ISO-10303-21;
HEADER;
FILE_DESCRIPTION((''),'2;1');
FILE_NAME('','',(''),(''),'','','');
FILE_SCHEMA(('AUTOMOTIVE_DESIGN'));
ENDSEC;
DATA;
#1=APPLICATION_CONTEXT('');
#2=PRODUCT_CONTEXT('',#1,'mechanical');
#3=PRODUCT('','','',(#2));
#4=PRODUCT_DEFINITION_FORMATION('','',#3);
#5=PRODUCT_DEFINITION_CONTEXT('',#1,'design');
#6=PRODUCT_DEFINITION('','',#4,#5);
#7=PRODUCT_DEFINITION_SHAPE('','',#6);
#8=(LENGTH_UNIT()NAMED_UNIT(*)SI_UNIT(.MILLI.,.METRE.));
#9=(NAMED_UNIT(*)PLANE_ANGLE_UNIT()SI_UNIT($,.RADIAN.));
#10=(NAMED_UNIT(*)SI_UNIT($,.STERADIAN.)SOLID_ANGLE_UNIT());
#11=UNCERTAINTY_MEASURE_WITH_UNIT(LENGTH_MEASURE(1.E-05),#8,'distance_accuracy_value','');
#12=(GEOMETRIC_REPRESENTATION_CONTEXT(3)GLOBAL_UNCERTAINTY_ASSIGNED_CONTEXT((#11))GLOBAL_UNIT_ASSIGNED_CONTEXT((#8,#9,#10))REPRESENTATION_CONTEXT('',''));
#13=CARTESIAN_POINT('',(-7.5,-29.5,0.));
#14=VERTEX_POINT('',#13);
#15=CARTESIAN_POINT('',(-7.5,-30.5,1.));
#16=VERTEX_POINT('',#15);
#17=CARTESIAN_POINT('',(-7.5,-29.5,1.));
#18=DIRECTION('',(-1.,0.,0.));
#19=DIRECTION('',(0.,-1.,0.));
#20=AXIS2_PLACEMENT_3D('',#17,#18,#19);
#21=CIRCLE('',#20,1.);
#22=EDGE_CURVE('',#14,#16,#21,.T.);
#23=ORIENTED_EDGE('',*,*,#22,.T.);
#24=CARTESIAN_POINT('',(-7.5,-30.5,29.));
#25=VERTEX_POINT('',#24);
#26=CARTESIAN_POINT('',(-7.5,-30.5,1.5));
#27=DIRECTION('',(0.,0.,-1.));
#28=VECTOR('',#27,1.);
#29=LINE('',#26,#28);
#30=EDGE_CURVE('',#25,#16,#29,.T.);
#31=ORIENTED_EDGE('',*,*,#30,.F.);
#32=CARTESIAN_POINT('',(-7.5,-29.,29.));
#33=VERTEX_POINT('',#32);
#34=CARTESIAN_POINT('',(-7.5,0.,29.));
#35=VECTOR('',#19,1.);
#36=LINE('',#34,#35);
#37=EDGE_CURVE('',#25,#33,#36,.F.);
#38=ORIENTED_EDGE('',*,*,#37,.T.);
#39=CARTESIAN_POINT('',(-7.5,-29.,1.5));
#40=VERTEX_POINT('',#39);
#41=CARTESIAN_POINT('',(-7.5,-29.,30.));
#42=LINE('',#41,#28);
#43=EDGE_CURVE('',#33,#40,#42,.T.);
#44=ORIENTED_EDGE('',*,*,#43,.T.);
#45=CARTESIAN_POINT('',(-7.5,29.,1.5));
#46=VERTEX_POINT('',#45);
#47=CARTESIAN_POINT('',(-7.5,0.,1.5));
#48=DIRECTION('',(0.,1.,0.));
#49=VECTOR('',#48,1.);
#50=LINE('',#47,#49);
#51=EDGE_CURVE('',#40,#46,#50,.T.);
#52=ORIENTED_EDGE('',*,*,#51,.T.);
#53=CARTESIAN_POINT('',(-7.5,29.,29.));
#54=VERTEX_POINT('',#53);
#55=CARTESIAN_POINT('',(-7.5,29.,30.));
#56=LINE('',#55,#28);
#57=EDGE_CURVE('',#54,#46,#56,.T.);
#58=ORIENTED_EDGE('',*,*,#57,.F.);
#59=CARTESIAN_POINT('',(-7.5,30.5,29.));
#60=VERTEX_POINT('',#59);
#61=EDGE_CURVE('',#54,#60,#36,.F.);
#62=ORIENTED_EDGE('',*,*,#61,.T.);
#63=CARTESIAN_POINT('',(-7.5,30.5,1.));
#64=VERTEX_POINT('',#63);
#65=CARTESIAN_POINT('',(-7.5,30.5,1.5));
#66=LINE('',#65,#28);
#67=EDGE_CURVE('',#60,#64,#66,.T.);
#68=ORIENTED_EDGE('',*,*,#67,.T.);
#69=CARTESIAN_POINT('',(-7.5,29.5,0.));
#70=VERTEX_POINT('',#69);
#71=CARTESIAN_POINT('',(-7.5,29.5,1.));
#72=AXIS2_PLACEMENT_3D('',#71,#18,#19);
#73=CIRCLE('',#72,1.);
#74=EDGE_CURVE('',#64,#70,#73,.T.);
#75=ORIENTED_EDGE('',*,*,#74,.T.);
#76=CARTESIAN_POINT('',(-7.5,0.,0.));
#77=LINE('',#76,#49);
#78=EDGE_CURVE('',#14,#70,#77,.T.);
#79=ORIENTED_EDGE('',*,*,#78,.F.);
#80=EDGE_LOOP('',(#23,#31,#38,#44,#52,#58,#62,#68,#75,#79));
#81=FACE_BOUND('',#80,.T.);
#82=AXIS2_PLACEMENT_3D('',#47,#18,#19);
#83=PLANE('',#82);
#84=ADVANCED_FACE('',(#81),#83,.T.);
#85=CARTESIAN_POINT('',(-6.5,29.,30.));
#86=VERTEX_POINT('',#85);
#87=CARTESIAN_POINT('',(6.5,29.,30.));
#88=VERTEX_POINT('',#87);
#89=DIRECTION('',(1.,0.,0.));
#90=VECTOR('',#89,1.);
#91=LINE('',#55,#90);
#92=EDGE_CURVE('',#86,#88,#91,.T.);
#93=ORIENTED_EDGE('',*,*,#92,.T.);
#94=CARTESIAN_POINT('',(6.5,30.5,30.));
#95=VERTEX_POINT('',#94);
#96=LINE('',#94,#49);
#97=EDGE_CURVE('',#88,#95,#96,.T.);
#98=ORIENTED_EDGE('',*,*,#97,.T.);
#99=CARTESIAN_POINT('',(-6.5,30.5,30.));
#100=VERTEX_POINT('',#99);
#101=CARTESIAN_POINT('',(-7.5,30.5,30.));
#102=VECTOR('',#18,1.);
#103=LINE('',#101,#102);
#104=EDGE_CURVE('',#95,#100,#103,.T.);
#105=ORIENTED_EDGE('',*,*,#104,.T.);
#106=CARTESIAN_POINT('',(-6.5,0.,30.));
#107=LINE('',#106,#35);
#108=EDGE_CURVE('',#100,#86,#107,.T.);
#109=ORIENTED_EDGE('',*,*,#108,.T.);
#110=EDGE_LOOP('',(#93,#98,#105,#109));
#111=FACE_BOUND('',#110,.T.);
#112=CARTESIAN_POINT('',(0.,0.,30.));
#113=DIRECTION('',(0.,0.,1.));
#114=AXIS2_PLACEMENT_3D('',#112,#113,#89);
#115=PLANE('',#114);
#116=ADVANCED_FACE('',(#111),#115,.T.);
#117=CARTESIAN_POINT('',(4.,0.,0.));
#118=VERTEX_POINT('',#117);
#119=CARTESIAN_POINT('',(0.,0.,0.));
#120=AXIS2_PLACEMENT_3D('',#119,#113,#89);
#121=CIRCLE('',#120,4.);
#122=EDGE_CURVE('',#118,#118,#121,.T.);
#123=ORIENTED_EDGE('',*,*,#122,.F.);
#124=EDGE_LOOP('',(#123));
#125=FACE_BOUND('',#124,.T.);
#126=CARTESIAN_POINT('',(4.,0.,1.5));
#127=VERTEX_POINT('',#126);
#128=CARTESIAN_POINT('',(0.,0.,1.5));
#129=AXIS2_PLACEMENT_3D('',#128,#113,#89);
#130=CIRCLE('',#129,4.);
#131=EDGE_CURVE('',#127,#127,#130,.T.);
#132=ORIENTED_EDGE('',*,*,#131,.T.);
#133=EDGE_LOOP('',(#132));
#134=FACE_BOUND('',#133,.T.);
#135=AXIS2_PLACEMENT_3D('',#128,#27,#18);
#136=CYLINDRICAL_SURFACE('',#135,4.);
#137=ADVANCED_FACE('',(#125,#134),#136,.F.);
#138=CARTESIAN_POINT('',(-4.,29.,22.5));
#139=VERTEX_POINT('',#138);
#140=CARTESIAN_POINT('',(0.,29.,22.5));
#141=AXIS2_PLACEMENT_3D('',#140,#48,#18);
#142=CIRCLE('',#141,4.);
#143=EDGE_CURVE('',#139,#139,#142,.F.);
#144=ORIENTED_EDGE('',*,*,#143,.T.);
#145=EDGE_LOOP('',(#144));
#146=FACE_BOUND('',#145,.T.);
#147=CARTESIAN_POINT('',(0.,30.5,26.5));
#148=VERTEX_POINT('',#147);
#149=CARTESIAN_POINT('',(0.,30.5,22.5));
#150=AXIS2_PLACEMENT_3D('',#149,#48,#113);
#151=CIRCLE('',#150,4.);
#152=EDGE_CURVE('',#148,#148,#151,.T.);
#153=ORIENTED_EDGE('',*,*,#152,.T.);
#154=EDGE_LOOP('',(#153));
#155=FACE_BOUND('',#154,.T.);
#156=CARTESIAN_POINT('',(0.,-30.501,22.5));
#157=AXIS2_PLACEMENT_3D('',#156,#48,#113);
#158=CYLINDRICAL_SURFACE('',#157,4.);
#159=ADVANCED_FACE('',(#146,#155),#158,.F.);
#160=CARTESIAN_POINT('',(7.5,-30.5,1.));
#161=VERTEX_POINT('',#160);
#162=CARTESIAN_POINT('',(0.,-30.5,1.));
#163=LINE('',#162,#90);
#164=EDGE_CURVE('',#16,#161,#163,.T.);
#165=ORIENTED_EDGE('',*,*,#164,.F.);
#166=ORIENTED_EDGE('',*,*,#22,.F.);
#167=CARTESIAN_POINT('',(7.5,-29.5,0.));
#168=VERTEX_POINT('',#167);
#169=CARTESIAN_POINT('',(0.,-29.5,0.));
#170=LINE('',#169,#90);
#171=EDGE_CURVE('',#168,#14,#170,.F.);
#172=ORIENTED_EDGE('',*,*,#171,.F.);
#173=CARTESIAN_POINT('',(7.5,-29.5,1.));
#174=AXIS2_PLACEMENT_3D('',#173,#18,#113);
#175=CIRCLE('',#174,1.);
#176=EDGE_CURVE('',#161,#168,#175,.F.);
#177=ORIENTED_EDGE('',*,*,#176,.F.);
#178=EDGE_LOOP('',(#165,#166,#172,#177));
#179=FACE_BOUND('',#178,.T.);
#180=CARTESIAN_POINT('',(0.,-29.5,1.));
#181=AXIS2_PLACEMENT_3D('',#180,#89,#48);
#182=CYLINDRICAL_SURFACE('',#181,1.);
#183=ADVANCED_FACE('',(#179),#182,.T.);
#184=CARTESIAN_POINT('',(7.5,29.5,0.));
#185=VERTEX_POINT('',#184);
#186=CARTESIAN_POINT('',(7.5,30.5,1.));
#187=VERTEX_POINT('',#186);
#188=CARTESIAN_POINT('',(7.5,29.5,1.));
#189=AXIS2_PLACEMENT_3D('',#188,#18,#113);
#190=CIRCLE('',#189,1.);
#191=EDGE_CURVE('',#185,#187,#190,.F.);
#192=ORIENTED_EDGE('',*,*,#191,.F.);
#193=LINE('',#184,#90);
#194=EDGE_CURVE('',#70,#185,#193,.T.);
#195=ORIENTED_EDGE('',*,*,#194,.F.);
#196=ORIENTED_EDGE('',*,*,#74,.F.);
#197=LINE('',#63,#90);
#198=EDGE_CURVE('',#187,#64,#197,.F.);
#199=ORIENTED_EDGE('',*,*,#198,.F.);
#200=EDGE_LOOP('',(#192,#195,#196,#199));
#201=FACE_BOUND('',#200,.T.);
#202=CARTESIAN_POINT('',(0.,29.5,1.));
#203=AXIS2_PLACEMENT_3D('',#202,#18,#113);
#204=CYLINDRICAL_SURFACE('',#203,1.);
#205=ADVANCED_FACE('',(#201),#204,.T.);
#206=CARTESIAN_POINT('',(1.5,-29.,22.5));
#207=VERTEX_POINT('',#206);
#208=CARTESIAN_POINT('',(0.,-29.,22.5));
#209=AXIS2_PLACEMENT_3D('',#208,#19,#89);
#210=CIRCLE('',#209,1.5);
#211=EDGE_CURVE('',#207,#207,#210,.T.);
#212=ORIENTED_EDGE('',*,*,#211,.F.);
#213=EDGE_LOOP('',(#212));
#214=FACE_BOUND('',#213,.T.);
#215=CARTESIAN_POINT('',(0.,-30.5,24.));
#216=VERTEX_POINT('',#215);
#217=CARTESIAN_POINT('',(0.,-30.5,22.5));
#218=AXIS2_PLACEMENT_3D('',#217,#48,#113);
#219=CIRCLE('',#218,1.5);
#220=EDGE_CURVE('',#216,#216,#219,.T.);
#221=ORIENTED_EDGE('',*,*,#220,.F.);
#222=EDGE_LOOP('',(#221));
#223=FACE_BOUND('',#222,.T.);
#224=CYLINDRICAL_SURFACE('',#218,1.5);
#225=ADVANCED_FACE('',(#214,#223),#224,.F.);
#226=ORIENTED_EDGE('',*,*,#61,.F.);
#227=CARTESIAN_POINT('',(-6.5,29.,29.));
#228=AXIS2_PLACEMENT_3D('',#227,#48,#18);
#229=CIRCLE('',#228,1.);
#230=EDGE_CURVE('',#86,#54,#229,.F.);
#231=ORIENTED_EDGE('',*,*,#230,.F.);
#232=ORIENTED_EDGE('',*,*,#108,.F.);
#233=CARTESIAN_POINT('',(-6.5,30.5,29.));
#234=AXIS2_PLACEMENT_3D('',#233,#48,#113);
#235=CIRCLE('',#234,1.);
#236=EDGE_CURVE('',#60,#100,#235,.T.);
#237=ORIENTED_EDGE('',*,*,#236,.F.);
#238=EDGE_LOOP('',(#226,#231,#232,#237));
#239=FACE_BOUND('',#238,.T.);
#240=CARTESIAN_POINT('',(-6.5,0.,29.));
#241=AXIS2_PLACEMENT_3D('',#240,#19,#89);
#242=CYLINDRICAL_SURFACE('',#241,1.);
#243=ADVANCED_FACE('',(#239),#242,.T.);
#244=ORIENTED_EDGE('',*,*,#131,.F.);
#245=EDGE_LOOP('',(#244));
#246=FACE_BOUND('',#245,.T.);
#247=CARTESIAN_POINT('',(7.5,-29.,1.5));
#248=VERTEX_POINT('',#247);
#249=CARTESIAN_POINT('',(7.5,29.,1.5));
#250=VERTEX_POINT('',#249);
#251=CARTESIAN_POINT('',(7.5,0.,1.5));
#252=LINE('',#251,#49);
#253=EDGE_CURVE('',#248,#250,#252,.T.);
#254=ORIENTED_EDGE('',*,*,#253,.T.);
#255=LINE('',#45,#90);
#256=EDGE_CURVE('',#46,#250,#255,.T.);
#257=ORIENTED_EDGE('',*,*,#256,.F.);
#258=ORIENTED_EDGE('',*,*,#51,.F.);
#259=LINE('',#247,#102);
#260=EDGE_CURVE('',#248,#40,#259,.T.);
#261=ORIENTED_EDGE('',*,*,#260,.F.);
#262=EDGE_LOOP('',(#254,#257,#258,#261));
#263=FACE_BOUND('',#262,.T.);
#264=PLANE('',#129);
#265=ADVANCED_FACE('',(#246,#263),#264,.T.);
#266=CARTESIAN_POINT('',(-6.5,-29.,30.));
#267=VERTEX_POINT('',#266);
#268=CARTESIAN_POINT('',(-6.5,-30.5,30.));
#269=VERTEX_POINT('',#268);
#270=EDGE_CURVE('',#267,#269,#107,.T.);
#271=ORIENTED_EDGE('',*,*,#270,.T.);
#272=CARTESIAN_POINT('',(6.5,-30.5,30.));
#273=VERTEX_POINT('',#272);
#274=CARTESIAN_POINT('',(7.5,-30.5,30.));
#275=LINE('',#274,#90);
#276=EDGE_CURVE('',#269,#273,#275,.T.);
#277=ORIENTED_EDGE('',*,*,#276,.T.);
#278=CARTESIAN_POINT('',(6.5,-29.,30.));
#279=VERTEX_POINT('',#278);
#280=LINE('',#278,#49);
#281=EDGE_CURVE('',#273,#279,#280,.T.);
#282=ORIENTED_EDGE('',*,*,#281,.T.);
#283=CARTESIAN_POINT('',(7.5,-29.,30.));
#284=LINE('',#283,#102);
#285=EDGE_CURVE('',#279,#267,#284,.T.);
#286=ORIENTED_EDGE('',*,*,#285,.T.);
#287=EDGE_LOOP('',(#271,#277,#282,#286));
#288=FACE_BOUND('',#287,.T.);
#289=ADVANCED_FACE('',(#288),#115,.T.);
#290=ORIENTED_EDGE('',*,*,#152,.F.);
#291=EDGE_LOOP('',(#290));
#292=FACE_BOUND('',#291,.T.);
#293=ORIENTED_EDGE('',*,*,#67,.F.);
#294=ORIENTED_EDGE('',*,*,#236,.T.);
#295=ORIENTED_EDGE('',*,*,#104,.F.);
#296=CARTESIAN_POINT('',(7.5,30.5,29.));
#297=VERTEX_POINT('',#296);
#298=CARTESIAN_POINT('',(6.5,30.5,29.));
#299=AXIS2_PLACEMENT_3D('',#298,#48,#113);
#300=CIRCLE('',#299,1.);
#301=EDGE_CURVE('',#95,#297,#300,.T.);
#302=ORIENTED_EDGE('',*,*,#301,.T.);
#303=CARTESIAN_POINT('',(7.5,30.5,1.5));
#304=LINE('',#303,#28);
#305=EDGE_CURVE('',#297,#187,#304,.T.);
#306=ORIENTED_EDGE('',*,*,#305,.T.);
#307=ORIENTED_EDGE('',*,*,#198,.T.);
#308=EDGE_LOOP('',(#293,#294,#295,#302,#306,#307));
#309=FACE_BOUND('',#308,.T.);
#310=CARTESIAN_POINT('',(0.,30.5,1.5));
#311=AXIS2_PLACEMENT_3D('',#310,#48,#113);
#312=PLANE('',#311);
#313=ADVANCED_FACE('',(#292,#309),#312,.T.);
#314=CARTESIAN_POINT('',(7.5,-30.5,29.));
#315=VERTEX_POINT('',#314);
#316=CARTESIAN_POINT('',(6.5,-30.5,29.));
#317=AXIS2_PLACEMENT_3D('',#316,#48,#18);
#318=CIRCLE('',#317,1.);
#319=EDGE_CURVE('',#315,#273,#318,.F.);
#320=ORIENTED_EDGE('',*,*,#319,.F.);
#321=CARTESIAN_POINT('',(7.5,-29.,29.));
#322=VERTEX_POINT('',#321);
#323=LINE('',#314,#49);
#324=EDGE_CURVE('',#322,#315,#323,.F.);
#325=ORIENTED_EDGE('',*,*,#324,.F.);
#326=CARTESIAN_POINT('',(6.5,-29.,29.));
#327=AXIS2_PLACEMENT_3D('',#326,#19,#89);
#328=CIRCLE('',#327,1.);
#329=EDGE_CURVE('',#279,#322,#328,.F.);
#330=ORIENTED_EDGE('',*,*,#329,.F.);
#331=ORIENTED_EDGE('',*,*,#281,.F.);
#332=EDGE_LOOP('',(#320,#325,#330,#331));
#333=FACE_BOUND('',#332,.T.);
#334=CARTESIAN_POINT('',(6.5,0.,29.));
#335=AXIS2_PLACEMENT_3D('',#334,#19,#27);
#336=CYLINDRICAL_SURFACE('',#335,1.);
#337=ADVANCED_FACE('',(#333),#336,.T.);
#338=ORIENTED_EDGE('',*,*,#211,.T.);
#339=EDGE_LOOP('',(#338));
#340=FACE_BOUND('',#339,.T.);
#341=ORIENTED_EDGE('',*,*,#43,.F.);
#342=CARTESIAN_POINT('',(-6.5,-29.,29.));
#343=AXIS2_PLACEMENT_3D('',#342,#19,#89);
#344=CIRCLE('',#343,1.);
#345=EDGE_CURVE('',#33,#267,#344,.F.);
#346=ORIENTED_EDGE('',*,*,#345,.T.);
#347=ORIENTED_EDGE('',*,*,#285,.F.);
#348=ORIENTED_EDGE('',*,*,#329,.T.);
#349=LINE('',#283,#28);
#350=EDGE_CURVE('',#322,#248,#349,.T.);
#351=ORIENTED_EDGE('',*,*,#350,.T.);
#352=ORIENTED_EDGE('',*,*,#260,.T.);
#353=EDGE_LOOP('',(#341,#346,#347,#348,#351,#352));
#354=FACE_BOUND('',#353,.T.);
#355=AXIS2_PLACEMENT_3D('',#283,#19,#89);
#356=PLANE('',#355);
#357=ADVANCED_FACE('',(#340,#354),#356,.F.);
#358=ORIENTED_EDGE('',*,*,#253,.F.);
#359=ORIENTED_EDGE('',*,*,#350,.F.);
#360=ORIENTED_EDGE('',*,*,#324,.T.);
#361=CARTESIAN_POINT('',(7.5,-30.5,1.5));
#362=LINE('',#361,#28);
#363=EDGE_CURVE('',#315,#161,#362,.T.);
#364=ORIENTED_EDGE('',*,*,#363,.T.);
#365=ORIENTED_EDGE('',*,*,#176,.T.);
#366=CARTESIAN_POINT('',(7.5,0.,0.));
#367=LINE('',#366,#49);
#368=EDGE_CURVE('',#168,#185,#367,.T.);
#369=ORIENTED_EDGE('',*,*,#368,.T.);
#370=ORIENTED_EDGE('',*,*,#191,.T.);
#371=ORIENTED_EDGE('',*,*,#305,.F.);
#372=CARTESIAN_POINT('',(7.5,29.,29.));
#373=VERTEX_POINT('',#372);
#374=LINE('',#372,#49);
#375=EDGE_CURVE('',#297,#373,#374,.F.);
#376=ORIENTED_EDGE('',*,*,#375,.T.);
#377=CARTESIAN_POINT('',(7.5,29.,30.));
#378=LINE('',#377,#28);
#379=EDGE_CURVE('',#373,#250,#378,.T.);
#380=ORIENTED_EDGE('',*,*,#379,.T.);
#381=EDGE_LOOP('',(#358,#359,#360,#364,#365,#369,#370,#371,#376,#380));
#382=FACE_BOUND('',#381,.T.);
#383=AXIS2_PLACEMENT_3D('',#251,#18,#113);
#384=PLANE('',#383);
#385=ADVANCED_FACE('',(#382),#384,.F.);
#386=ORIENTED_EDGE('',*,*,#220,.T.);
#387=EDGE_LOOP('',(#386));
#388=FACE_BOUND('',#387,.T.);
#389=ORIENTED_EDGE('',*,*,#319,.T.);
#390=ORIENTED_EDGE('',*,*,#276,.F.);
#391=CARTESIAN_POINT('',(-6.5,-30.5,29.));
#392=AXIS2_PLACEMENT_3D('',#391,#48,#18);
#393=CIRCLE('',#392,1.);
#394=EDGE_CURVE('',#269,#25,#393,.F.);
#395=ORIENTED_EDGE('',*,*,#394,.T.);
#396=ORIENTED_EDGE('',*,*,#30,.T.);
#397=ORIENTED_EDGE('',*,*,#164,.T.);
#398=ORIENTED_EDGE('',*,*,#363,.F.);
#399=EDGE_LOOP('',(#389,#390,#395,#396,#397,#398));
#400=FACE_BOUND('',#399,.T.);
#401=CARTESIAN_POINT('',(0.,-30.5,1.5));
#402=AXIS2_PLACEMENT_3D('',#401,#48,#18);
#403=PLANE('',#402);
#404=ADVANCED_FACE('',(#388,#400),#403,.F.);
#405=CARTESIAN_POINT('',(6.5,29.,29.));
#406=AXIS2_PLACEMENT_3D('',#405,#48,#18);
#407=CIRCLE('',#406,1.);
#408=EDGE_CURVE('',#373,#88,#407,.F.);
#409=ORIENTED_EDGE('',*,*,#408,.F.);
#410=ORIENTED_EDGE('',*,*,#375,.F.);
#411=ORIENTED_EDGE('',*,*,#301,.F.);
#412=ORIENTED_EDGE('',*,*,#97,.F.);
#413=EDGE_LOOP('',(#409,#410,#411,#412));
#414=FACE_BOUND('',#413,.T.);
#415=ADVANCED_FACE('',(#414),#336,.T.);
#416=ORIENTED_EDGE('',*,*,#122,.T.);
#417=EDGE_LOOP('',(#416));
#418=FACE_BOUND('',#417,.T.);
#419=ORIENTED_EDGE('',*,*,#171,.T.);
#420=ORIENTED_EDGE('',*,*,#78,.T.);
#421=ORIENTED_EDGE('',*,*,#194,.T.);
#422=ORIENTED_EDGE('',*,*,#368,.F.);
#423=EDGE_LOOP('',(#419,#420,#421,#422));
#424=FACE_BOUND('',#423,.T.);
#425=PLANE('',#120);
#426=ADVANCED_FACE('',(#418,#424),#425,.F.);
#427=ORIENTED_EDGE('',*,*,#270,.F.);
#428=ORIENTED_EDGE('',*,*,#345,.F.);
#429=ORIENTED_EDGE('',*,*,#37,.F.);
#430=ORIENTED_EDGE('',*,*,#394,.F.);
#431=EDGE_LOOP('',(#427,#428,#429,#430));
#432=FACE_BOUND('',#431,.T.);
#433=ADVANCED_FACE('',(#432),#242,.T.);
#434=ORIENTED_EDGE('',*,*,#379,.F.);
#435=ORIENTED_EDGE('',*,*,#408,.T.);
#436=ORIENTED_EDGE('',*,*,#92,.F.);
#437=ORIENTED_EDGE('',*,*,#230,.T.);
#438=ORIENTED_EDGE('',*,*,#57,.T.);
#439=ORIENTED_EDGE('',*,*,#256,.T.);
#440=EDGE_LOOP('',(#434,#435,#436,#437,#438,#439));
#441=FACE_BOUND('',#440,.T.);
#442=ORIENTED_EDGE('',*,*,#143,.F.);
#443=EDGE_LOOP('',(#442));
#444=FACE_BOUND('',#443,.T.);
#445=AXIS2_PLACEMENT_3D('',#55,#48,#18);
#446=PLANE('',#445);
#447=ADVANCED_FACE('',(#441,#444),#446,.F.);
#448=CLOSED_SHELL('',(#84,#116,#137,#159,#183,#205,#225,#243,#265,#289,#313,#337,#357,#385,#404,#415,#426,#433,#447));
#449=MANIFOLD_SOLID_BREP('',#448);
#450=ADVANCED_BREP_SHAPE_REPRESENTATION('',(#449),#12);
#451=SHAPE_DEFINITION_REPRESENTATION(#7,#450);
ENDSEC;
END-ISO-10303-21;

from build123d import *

# Parameters (mm, degrees)
SKETCH1_R           = 4
BOSS_EXTRUDE1_DEPTH = 1.5
SKETCH2_W           = 15
SKETCH2_H           = 1.5
BOSS_EXTRUDE2_DEPTH = 28.5
SKETCH3_R           = 1.5
CUT_EXTRUDE1_DEPTH  = 62
FILLET1_R           = 1
CUT_EXTRUDE2_REACH  = 63
SKETCH5_R           = 4


with BuildPart() as part:
    # Sketch1 → Boss-Extrude1 (new body)
    with BuildSketch(Plane.XY):
        Polygon((-7.5, -23.042592662), (-7.5, -30.5), (7.5, -30.5), (7.5, -23.042592662), (7.5, 26.84732779), (7.5, 30.5), (-7.5, 30.5), (-7.5, 26.84732779), align=None)
        Circle(SKETCH1_R, mode=Mode.SUBTRACT)
    extrude(amount=BOSS_EXTRUDE1_DEPTH)

    # Sketch2 → Boss-Extrude2 (add)
    with BuildSketch(Plane.XY.offset(1.5)):
        with Locations((0, 29.75)):
            Rectangle(SKETCH2_W, SKETCH2_H)
        with Locations((0, -29.75)):
            Rectangle(SKETCH2_W, SKETCH2_H)
    extrude(amount=BOSS_EXTRUDE2_DEPTH)

    # Sketch3 → Cut-Extrude1 (cut, through all)
    with BuildSketch(Plane(origin=(0, 30.5, 0), x_dir=(1, 0, 0), z_dir=(0, 1, 0))):
        with Locations((0, -22.5)):
            Circle(SKETCH3_R)
    extrude(amount=-CUT_EXTRUDE1_DEPTH, mode=Mode.SUBTRACT)

    # Fillet1
    fillet1_edges = [part.edges().sort_by_distance(p)[0] for p in [
        (0, -30.5, 0),
        (-7.5, -29.75, 30),
        (7.5, -29.75, 30),
        (7.5, 29.75, 30),
        (-7.5, 29.75, 30),
        (0, 30.5, 0),
    ]]
    fillet(fillet1_edges, radius=FILLET1_R)

    # Sketch5 → Cut-Extrude2 (cut, up to next)
    with BuildSketch(Plane(origin=(0, 30.5, 0), x_dir=(1, 0, 0), z_dir=(0, 1, 0)), mode=Mode.PRIVATE) as cut_extrude2_sk1:
        with Locations((0, -22.5)):
            Circle(SKETCH5_R)
    cut_extrude2_tool1 = extrude(cut_extrude2_sk1.sketch, amount=-CUT_EXTRUDE2_REACH, mode=Mode.PRIVATE) & part.part
    add(cut_extrude2_tool1.solids().sort_by_distance((0, 30.5, 22.5))[0], mode=Mode.SUBTRACT)


solid = part.part
